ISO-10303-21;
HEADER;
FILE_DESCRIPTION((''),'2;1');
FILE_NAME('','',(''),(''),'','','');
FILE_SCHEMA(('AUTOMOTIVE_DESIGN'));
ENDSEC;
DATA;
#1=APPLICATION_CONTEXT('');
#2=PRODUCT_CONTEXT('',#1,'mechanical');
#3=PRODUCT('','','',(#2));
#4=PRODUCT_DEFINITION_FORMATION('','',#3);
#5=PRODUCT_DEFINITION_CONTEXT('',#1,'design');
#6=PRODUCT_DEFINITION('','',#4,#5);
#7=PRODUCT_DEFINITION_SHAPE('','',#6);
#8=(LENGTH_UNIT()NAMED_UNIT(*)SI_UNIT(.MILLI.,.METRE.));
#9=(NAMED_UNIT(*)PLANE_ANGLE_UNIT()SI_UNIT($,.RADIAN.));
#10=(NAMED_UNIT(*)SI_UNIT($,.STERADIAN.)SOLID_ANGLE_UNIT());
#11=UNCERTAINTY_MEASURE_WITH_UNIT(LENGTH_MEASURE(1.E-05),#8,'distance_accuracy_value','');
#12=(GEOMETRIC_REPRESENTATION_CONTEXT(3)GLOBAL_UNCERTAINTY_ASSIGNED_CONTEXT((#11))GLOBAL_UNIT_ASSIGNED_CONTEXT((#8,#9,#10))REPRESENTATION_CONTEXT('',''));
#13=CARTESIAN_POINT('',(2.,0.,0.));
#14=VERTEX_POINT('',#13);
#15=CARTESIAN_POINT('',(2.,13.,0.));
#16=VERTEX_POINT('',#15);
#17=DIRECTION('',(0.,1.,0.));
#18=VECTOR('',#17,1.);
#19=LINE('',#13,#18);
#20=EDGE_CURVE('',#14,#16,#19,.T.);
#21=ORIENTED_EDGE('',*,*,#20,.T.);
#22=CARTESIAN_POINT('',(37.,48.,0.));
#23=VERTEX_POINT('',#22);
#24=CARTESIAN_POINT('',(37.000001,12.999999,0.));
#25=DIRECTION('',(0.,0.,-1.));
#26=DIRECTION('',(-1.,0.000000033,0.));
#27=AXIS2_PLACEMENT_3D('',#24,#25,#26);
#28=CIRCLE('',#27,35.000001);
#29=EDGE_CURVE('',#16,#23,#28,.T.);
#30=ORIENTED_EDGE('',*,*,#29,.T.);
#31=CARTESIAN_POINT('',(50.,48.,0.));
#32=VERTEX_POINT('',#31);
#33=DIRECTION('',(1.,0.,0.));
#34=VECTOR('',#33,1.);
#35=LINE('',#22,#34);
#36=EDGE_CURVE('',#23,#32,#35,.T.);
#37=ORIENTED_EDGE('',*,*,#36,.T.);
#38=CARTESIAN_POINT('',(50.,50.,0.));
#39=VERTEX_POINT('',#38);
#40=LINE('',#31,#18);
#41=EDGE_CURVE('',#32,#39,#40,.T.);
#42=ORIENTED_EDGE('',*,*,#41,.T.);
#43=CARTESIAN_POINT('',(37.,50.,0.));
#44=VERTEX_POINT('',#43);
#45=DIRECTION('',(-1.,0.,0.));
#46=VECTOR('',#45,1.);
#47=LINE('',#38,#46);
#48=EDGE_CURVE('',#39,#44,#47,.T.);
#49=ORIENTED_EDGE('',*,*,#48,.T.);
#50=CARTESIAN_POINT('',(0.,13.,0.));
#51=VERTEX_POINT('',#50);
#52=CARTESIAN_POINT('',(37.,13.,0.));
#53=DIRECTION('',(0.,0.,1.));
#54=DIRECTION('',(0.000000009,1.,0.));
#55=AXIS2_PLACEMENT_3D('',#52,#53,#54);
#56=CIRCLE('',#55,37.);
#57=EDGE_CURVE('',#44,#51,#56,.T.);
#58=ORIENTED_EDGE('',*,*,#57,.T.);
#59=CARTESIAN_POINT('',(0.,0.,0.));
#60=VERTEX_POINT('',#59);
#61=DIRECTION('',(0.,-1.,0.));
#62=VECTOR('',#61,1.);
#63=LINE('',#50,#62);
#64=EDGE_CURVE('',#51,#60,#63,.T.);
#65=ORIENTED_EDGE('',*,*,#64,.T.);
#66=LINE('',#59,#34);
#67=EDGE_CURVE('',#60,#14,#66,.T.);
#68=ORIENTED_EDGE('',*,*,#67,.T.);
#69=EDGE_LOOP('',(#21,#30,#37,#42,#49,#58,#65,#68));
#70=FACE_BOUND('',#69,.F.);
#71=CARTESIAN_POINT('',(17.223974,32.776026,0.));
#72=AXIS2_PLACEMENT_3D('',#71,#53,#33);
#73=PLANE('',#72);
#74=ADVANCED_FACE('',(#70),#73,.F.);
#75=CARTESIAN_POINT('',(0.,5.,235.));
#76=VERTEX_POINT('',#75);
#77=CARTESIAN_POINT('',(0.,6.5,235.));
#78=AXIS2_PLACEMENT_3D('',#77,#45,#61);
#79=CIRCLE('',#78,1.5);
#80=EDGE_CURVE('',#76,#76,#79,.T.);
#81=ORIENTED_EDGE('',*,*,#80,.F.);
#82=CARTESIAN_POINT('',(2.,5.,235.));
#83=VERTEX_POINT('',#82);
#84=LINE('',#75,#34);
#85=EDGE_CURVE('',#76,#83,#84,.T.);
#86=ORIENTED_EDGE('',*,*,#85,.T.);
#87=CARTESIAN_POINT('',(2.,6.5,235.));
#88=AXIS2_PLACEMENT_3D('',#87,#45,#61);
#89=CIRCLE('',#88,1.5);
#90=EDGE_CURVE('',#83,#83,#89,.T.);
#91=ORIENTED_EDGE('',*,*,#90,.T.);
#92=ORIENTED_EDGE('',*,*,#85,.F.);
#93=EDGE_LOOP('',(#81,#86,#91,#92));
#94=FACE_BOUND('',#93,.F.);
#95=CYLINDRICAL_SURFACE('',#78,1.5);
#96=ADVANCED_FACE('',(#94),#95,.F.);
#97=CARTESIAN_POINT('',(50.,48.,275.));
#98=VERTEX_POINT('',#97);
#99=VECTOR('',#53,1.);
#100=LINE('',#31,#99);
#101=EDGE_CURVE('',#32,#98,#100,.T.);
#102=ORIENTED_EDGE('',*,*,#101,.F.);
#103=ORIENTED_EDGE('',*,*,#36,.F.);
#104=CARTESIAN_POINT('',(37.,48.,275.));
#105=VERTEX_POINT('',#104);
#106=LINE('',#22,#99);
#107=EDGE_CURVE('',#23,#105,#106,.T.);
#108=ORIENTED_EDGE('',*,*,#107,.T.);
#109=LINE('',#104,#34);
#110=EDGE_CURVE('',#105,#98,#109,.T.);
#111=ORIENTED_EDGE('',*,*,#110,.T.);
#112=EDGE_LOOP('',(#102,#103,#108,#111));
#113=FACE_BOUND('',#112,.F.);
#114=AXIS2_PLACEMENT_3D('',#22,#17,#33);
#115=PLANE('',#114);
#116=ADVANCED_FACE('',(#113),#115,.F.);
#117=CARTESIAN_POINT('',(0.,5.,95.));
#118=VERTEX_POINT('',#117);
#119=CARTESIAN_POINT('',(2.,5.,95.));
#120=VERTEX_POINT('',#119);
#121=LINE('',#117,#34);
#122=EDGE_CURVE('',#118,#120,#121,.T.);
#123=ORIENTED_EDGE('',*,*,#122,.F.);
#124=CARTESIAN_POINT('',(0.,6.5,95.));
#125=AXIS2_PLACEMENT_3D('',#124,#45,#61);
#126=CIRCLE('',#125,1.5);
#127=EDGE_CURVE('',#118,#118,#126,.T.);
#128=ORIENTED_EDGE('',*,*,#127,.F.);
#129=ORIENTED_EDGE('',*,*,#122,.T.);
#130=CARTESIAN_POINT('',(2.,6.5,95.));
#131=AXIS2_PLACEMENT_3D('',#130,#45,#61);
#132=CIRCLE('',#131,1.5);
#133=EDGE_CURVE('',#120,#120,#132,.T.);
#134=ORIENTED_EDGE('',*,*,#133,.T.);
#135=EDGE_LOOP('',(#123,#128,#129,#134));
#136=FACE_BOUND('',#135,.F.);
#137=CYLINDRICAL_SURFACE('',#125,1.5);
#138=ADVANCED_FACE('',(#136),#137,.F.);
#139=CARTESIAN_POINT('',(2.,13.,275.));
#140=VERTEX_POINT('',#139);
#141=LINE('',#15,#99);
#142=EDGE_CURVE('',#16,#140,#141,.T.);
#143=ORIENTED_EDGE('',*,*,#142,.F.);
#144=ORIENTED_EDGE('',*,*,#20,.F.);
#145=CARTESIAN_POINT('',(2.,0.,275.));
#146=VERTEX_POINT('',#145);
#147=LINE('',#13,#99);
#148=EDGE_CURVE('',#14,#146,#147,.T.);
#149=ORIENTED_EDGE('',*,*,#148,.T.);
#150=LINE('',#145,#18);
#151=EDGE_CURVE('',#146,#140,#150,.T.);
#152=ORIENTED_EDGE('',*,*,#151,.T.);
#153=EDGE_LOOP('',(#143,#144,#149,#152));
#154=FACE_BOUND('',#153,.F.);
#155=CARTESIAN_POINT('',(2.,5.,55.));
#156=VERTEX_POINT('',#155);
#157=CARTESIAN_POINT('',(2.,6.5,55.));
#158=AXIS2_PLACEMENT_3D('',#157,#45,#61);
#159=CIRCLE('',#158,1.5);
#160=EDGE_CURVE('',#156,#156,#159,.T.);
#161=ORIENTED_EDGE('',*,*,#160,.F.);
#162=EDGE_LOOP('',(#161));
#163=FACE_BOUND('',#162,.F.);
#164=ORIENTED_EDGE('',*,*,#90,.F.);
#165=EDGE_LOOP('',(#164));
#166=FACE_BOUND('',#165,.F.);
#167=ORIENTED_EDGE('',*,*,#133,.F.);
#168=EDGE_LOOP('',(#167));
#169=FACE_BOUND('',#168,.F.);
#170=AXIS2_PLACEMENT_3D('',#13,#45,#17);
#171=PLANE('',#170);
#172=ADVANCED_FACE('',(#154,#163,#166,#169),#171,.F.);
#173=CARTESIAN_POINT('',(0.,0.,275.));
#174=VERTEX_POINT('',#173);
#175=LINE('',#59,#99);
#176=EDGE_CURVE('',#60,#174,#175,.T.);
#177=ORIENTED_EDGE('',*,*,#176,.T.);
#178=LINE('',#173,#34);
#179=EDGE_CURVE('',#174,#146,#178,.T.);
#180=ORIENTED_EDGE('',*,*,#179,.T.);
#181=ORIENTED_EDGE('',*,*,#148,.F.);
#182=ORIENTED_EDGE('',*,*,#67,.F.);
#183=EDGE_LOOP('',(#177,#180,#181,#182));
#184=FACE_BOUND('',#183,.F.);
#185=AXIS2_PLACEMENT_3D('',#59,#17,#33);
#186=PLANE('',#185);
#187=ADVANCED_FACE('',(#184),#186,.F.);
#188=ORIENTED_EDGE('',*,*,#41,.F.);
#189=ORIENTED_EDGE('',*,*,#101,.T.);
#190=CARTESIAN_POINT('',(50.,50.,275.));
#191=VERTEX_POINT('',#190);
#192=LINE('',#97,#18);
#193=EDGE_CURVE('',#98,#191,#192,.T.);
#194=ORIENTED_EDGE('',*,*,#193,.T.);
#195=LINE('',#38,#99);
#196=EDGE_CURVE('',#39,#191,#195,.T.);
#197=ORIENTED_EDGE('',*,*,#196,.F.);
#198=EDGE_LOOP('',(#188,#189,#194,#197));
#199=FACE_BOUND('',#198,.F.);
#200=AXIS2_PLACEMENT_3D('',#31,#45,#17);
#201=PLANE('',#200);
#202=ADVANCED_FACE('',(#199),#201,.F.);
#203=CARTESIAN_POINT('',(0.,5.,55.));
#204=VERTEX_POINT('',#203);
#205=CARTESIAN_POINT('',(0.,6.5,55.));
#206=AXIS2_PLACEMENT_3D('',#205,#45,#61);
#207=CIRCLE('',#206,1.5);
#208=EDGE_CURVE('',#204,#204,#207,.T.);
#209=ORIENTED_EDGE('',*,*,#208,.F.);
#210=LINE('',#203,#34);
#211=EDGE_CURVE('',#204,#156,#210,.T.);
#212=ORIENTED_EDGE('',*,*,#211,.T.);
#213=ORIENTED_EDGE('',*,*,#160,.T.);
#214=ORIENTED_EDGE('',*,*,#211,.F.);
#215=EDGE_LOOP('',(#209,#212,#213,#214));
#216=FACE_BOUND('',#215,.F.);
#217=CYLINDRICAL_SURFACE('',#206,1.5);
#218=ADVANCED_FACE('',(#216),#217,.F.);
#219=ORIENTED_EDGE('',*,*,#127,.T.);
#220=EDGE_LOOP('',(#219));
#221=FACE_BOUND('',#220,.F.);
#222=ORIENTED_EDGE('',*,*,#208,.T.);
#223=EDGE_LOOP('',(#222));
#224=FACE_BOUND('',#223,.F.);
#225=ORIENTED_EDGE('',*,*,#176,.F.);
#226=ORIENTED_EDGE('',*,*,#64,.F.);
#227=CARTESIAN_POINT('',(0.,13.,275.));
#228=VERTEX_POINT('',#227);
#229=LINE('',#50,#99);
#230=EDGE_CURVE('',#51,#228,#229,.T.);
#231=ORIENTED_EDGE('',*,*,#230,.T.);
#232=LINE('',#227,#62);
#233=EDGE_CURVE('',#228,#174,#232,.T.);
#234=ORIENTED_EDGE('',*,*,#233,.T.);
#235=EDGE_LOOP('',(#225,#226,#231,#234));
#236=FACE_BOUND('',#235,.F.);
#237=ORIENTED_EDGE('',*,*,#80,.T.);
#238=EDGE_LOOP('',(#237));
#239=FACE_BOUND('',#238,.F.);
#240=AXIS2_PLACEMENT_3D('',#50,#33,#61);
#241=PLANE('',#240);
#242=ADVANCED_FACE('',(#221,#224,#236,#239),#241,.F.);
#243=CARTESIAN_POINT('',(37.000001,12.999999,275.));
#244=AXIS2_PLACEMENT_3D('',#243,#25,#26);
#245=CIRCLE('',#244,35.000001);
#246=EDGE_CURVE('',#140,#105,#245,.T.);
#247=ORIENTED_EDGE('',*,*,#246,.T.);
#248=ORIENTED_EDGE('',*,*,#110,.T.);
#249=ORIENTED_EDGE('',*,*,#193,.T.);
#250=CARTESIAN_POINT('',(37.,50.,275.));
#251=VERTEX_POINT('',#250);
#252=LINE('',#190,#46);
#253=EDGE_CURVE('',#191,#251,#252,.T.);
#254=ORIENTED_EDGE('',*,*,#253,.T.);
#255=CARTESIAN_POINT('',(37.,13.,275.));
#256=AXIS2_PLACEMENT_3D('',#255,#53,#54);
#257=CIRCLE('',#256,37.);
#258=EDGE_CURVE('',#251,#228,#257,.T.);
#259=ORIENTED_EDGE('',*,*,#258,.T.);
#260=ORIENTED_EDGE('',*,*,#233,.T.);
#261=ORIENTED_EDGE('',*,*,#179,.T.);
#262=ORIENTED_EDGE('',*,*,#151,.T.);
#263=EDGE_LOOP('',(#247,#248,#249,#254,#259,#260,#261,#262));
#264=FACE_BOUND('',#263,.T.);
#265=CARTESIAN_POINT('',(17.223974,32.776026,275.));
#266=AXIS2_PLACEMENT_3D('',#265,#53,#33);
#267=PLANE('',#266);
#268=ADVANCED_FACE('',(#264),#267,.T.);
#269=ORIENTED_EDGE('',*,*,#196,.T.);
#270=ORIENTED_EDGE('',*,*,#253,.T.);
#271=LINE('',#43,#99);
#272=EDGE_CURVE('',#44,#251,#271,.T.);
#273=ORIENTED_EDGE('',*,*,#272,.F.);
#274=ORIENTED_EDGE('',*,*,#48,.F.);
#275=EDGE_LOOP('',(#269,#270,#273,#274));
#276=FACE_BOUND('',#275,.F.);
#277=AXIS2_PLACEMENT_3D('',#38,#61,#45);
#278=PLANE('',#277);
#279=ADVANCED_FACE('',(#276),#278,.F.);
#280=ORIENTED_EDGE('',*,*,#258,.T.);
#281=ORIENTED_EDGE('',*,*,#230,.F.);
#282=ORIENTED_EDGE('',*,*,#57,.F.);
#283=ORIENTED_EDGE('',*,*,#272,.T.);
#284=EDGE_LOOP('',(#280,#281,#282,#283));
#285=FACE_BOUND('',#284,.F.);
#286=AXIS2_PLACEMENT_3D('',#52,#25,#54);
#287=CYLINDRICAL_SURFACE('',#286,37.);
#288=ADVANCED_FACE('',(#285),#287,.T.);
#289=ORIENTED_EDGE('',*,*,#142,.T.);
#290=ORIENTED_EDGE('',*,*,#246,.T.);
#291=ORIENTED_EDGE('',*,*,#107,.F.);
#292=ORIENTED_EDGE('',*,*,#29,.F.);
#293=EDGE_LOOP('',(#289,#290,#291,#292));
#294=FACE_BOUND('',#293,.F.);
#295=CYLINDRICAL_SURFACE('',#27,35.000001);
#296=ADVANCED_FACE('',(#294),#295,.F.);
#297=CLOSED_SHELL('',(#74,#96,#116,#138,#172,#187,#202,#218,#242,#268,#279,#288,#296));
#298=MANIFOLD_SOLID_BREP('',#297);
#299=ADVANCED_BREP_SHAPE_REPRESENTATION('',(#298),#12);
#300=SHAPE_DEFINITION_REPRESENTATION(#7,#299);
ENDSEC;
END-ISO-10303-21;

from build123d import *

# Parameters (mm, degrees)
F1_DEPTH = 275
F2_R     = 1.5
F3_DEPTH = 50.001


with BuildPart() as f1:
    # F0 (on Top) → F1 (new body)
    with BuildSketch(Plane.XY):
        with BuildLine():
            Line((0, 13), (0, 0))
            Line((0, 0), (2, 0))
            Line((2, 0), (2, 13))
            ThreePointArc((2, 13), (12.251263, 37.748737), (37, 48))
            Line((37, 48), (50, 48))
            Line((50, 48), (50, 50))
            Line((50, 50), (37, 50))
            ThreePointArc((37, 50), (10.837049, 39.162951), (0, 13))
        make_face()
    extrude(amount=F1_DEPTH)

    # F2 (on face) → F3 (cut, through all)
    with BuildSketch(Plane(origin=(0, 0, 0), x_dir=(0, -1, 0), z_dir=(-1, 0, 0))):
        with Locations((-6.5, 235)):
            Circle(F2_R)
        with Locations((-6.5, 95)):
            Circle(F2_R)
        with Locations((-6.5, 55)):
            Circle(F2_R)
    extrude(amount=-F3_DEPTH, mode=Mode.SUBTRACT)


solid = f1.part
